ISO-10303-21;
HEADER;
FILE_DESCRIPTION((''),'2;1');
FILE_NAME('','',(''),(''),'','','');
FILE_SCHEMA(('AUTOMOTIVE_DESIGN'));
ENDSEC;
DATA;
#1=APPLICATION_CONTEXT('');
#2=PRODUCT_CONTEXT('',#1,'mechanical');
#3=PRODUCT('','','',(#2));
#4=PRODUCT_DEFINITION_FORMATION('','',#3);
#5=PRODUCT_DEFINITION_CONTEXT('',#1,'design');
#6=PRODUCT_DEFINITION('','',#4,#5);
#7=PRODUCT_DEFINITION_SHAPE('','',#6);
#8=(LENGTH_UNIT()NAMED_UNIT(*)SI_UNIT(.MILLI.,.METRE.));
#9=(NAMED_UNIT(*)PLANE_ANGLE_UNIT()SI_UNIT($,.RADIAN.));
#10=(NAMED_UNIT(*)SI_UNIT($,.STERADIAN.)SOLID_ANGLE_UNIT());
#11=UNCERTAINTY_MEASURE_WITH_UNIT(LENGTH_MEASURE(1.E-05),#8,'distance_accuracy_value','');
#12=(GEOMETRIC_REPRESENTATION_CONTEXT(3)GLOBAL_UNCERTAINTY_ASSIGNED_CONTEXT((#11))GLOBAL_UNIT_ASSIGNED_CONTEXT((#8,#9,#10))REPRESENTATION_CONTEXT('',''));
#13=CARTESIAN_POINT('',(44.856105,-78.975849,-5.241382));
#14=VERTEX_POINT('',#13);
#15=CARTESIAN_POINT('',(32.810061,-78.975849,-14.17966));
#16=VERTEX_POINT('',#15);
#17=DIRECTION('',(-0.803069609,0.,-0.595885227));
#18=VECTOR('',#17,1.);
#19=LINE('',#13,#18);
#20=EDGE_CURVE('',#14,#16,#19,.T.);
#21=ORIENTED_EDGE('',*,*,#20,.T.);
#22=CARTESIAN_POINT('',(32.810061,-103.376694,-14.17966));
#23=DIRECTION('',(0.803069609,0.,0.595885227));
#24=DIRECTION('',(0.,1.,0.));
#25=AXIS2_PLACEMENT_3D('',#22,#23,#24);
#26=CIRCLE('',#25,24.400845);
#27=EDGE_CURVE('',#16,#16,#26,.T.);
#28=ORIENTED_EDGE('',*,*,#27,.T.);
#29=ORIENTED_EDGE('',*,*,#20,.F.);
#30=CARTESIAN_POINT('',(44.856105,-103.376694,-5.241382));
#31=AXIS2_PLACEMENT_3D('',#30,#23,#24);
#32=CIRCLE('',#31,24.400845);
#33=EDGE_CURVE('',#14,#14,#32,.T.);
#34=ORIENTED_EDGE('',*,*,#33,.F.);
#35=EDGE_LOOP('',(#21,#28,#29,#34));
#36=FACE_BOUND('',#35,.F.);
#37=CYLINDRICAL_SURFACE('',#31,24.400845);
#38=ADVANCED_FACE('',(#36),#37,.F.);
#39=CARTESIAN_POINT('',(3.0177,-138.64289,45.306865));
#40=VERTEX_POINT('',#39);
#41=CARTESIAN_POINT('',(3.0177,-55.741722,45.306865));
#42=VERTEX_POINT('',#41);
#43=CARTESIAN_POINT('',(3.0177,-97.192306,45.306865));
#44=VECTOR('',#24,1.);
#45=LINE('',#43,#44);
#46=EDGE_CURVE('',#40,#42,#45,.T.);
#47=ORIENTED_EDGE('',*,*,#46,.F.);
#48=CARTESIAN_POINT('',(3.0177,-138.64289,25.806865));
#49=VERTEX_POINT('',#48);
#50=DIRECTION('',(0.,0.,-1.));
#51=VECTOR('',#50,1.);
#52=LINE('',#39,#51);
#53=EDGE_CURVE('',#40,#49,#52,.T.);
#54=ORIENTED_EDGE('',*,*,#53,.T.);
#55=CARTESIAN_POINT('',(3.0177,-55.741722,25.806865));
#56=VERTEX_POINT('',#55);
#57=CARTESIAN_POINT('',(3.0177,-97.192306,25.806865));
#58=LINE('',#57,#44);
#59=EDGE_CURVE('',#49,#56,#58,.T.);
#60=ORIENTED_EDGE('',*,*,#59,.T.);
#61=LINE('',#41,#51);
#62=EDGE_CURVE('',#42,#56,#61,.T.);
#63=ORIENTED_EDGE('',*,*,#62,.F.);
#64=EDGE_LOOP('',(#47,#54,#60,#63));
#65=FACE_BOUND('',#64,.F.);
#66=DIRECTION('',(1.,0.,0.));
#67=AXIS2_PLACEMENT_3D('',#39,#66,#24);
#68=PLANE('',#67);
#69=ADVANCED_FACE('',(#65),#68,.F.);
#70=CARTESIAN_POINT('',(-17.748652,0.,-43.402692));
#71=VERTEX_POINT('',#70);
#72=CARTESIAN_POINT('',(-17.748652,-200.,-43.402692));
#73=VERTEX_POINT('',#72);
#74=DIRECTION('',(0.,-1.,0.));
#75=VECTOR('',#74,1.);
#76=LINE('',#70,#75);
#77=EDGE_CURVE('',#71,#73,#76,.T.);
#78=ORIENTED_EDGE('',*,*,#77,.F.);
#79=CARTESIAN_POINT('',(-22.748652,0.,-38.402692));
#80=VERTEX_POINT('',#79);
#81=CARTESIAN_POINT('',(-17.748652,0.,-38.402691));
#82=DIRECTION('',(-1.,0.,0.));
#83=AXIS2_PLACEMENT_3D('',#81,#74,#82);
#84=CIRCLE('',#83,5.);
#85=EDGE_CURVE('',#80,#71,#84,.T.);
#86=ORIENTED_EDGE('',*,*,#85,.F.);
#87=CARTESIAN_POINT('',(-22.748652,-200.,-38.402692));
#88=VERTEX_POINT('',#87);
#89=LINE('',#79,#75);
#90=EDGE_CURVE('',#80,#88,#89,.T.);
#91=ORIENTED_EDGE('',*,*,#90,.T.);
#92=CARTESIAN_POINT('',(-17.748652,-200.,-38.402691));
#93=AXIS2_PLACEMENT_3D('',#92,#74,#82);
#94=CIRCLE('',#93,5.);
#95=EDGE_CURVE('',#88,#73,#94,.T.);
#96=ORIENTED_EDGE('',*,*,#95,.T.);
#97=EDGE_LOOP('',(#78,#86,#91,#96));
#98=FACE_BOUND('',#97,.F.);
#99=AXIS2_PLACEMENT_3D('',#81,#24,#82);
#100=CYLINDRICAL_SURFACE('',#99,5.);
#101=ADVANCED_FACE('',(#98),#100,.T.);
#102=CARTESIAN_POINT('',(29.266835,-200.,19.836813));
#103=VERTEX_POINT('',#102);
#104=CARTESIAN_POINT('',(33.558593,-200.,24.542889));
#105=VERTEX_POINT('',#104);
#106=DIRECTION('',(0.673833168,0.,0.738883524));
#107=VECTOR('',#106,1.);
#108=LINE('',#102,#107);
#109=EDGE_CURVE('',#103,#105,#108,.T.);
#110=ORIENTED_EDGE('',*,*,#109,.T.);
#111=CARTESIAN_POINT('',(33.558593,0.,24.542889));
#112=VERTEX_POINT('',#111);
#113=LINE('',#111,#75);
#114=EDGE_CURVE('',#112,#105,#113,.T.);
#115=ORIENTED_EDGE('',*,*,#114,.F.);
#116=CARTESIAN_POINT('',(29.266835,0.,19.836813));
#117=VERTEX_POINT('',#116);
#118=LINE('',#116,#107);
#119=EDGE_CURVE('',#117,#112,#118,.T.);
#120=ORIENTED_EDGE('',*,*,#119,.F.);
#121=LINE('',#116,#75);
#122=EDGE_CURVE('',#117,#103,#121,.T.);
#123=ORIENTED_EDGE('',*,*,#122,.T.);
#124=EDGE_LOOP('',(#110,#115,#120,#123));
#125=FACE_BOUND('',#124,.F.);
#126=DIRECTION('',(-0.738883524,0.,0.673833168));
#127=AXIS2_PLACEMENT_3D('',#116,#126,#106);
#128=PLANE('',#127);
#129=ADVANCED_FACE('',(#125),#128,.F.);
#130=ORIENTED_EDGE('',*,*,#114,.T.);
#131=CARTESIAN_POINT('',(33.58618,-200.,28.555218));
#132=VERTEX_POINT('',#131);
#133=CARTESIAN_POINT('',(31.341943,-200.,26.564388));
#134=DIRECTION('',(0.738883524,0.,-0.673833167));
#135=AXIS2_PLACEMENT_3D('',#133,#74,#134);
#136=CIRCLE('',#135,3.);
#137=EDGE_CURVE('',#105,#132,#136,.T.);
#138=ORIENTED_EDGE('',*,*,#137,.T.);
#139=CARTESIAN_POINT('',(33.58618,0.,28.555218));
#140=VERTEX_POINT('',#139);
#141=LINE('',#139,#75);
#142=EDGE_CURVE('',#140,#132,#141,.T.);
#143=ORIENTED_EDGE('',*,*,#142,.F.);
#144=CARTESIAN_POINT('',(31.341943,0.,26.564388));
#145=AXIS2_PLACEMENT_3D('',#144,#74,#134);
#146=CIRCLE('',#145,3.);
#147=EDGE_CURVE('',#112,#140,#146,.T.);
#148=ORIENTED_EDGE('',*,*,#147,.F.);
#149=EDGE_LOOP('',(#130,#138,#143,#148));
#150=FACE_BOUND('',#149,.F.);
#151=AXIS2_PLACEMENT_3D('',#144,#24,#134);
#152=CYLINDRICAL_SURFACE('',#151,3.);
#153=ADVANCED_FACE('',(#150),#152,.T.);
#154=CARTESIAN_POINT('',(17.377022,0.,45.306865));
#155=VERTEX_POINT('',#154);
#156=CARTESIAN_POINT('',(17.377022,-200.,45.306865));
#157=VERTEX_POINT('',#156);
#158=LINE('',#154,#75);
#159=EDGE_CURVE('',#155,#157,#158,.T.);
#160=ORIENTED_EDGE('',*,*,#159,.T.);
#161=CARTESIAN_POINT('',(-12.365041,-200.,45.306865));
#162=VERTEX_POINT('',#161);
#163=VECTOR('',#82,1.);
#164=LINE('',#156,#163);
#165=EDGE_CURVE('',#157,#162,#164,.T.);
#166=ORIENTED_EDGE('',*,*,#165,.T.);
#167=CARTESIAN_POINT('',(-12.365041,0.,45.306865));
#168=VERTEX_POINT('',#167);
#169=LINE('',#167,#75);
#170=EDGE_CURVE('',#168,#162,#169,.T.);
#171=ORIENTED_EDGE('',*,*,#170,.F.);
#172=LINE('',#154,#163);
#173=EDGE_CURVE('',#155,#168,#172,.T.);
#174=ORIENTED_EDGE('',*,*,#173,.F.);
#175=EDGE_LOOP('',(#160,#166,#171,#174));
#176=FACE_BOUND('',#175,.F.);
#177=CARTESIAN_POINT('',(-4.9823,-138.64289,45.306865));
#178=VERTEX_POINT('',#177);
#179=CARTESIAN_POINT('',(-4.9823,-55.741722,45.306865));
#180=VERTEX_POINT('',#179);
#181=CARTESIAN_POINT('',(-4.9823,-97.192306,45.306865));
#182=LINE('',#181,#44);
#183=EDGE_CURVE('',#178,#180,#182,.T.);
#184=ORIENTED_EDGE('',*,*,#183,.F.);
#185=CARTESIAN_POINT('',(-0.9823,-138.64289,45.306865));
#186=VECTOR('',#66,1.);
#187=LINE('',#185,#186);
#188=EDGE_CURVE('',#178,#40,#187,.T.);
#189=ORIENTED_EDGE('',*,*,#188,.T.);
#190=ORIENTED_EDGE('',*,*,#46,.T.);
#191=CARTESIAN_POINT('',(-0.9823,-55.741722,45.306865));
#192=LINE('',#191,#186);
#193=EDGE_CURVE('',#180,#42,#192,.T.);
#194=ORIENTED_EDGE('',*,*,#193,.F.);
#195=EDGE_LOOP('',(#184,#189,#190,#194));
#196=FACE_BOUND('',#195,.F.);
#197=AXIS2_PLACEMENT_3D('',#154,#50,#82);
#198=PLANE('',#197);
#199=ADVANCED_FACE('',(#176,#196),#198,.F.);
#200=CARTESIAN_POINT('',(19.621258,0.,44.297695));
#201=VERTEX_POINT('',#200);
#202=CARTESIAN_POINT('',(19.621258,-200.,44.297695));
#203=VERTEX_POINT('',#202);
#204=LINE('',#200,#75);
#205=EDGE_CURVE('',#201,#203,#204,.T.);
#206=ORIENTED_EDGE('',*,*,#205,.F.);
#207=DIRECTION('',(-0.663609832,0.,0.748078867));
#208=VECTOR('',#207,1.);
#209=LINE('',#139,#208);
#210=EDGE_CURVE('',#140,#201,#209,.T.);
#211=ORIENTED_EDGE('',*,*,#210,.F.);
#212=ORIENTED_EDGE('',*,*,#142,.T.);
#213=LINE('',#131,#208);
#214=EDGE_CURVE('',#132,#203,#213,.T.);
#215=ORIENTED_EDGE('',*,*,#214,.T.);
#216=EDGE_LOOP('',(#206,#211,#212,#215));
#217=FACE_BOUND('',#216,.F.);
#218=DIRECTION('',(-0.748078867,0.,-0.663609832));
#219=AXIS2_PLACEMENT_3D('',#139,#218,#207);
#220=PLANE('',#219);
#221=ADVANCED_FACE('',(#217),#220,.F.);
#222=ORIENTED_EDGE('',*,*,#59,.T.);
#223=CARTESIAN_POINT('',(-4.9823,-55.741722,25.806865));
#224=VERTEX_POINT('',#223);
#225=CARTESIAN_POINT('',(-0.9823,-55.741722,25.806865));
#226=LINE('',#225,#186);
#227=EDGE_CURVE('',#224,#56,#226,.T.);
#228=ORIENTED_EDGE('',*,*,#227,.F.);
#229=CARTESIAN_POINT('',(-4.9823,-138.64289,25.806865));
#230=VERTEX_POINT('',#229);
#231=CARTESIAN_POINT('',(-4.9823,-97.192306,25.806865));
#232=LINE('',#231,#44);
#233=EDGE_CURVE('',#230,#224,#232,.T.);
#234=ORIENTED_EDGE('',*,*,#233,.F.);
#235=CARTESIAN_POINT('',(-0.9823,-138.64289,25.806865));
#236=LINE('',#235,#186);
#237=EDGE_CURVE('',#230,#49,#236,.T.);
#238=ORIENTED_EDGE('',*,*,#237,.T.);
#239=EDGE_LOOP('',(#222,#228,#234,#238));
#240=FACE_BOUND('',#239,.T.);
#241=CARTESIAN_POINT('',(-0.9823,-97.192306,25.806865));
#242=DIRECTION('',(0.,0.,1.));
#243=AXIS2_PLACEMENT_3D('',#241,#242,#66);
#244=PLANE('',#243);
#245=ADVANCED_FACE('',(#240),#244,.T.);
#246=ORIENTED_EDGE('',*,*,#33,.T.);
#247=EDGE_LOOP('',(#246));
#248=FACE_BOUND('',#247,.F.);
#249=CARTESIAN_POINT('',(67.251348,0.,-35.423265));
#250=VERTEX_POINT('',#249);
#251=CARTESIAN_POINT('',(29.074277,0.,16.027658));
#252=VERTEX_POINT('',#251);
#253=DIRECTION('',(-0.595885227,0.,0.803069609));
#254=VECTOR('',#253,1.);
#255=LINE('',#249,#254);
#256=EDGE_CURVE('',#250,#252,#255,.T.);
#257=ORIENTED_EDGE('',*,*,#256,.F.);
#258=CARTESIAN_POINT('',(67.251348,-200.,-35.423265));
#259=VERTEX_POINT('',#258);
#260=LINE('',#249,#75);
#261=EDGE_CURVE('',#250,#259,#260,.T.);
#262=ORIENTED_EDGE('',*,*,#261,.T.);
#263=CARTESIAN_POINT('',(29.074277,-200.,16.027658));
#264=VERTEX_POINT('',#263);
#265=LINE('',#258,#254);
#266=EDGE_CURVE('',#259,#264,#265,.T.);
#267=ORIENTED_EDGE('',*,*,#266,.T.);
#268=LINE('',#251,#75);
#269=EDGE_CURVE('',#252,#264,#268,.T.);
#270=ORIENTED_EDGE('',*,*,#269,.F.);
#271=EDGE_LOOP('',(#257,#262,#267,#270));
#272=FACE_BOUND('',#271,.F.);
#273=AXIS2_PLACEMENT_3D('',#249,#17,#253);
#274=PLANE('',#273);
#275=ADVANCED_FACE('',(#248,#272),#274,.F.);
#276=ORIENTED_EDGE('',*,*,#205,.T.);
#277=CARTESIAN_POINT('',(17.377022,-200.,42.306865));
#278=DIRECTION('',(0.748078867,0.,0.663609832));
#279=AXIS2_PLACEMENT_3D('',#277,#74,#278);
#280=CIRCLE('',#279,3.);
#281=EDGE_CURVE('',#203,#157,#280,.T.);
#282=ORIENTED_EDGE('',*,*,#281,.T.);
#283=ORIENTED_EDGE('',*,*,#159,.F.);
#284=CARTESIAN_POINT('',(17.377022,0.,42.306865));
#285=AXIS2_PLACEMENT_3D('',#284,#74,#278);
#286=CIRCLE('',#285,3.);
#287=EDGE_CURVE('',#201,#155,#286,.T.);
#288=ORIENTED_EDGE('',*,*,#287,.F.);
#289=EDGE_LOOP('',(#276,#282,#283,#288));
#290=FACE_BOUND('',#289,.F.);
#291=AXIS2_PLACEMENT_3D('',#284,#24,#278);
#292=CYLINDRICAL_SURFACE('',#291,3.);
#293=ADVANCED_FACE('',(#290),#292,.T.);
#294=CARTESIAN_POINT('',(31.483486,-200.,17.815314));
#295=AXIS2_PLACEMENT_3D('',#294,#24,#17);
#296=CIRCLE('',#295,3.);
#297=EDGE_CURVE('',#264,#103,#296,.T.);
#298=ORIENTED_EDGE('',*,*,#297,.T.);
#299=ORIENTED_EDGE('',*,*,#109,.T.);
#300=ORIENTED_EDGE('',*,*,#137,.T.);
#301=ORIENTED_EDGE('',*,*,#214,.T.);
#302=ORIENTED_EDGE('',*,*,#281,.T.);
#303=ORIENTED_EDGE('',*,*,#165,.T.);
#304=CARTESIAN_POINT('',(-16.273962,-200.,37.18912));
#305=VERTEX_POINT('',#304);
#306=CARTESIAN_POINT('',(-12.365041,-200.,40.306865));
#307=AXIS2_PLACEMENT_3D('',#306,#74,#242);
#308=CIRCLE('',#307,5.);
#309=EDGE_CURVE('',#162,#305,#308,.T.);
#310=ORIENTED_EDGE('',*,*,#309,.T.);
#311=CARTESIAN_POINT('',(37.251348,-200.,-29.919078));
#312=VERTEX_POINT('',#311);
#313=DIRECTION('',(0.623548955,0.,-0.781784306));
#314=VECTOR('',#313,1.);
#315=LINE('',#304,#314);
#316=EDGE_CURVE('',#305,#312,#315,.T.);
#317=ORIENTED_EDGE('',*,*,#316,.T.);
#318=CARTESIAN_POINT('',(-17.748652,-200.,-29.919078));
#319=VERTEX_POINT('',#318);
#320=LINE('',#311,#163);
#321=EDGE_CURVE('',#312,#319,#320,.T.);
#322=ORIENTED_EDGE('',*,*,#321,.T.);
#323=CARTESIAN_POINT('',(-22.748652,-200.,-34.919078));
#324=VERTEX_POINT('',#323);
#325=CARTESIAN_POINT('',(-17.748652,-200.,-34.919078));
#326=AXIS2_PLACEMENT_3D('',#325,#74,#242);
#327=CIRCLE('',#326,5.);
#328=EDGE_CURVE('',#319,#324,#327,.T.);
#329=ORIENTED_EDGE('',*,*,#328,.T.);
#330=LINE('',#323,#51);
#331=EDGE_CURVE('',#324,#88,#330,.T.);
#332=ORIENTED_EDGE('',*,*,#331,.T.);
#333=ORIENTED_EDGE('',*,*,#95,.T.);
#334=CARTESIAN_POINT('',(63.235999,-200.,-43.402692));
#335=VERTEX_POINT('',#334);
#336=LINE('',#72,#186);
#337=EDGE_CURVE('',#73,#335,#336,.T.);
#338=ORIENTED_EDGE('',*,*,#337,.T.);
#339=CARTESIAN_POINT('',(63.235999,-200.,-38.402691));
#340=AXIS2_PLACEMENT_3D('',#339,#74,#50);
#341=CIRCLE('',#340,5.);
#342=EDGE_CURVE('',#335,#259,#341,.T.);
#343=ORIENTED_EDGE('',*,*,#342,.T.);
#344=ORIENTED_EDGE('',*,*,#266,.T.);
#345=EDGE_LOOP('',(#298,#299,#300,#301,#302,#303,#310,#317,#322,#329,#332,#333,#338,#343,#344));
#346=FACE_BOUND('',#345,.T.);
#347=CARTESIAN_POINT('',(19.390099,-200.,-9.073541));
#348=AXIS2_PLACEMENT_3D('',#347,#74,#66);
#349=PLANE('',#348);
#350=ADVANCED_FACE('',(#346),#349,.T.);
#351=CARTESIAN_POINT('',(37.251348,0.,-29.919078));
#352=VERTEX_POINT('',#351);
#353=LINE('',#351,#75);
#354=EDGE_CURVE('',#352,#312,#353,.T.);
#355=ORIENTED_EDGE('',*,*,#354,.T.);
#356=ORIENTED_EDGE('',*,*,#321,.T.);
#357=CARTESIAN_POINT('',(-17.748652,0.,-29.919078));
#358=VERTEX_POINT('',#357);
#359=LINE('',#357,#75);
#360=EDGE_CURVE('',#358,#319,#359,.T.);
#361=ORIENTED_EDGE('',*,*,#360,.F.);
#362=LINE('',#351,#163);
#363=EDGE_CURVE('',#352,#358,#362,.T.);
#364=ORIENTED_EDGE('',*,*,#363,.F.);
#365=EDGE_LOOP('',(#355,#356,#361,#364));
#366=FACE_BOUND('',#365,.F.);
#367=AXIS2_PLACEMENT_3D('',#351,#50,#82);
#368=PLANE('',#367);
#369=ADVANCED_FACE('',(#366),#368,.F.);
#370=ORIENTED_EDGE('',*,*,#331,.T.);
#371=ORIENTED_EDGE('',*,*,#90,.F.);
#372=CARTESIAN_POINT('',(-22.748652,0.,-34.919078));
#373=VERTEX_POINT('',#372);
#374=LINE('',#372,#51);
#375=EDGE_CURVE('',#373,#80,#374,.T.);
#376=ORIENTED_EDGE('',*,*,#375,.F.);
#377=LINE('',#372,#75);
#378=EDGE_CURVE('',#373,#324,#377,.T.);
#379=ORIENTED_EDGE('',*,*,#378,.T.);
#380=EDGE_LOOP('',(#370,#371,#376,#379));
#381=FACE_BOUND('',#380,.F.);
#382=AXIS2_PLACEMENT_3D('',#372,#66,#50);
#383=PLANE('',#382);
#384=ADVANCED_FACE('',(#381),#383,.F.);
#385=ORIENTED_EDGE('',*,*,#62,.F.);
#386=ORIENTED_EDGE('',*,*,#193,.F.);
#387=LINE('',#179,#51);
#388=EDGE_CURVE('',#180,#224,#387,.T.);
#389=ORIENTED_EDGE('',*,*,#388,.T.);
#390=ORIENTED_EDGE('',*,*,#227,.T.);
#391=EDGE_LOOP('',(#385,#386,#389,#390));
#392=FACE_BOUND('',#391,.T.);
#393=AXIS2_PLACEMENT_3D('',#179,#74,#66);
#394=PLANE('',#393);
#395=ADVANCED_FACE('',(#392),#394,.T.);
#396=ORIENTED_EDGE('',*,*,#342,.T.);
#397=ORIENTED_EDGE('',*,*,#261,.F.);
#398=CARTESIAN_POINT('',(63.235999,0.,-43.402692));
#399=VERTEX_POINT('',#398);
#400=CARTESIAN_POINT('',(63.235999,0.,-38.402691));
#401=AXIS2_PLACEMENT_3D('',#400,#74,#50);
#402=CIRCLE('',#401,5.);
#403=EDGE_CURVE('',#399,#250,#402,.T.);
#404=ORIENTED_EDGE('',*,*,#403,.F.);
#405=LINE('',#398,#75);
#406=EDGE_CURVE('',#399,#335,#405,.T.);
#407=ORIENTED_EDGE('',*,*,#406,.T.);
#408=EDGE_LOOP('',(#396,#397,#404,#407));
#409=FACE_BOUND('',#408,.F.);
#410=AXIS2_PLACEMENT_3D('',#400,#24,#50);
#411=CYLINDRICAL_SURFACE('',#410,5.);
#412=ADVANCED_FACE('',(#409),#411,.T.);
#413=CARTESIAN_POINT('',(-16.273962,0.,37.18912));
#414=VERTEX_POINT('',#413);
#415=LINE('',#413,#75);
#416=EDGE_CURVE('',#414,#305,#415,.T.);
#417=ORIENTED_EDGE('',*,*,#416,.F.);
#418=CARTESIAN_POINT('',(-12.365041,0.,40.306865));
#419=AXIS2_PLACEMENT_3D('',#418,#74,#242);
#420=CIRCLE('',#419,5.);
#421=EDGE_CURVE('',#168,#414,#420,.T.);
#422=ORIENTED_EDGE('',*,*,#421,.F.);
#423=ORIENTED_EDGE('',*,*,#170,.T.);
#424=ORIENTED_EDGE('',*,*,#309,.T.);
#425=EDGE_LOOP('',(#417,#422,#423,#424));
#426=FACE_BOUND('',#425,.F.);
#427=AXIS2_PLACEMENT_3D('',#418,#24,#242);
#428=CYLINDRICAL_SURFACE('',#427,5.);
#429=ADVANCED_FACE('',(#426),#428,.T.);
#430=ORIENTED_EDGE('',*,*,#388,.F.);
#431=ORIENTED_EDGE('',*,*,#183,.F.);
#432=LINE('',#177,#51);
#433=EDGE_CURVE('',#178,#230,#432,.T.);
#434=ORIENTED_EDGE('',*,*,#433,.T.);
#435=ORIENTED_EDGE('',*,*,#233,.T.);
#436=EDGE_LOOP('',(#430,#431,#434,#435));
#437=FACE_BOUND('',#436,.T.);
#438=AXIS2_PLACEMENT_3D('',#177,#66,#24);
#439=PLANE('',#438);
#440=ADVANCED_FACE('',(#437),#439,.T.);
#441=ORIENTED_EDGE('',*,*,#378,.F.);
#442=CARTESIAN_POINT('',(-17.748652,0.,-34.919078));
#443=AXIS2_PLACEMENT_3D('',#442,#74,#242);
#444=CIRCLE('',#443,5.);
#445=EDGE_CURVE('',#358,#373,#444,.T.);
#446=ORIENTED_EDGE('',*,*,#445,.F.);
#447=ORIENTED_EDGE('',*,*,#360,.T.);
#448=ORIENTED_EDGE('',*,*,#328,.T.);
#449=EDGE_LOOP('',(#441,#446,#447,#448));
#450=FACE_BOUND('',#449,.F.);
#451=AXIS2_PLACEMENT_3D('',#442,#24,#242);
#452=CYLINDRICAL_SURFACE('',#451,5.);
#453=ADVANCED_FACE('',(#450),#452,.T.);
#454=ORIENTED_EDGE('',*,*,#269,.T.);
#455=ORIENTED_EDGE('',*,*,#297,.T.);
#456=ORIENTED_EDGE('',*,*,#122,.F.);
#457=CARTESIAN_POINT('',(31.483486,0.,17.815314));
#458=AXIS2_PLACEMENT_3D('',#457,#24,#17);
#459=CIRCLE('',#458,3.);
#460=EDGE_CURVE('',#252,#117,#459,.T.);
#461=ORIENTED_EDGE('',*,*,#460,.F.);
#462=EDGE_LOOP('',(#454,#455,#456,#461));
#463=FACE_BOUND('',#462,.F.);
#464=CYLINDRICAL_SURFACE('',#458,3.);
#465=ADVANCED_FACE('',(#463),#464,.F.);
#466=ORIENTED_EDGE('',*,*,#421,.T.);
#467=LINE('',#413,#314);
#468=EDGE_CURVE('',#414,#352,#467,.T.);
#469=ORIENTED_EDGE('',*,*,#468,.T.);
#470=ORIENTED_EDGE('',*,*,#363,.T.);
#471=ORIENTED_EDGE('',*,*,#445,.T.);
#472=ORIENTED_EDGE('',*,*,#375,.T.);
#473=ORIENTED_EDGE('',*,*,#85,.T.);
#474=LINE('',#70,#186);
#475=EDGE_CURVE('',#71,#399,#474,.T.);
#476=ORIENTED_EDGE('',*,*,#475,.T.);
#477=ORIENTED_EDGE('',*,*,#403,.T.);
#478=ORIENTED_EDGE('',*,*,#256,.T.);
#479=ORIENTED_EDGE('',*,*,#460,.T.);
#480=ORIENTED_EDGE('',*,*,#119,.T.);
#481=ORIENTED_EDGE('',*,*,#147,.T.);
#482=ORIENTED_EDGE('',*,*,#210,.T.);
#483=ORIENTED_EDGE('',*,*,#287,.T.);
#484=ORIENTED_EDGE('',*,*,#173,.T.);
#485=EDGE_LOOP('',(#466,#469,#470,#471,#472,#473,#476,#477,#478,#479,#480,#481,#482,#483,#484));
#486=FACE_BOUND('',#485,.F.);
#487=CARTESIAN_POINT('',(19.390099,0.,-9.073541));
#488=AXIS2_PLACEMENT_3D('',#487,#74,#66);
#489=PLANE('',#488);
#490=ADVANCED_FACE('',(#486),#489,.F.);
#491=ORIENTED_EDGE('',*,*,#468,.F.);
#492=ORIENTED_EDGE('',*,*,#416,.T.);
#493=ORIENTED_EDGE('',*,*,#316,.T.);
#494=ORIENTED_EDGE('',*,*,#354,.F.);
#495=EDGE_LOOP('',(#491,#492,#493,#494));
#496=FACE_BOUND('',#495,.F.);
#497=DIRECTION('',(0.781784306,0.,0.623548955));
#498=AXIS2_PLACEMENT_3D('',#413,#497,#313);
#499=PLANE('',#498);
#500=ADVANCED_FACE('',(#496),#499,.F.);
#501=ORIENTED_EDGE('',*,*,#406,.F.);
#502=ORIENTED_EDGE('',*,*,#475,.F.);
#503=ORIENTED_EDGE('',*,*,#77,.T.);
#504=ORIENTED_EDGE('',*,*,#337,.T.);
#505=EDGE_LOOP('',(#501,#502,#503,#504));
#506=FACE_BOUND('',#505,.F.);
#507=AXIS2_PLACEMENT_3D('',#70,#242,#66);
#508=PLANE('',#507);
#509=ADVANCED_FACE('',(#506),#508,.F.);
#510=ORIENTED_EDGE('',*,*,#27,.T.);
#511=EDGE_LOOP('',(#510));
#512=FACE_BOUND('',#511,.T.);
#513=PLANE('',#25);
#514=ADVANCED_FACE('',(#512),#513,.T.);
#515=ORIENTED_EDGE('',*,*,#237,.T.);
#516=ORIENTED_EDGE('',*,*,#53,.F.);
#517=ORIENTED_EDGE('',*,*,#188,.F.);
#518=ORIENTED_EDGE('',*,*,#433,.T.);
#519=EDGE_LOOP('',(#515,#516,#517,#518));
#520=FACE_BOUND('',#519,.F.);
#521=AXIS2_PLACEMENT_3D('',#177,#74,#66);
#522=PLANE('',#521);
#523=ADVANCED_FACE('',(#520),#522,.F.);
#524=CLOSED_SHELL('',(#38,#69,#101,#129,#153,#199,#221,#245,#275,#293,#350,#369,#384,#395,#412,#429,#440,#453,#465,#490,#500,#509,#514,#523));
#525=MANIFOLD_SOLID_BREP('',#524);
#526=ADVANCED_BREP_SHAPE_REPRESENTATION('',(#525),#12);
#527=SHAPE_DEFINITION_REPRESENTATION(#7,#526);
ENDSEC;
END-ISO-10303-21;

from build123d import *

# Parameters (mm, degrees)
F1_DEPTH = 200
F2_W     = 8
F2_H     = 82.9011678715
F3_DEPTH = 19.5
F4_R     = 24.4008451418
F5_DEPTH = 15


with BuildPart() as f1:
    # F0 (on Front) → F1 (new body)
    with BuildSketch(Plane.XZ):
        with BuildLine():
            Line((0, 45.3068651259), (-12.3650406395, 45.3068651259))
            ThreePointArc((-12.3650406395, 45.3068651259), (-16.8699670467, 42.4761133979), (-16.2739621693, 37.1891203522))
            Line((-16.2739621693, 37.1891203522), (37.2513475231, -29.9190782446))
            Line((37.2513475231, -29.9190782446), (-17.7486524769, -29.9190782446))
            ThreePointArc((-17.7486524769, -29.9190782446), (-21.2841863828, -31.3835443387), (-22.7486524769, -34.9190782446))
            Line((-22.7486524769, -34.9190782446), (-22.7486524769, -38.4026915))
            ThreePointArc((-22.7486524769, -38.4026915), (-21.2841863828, -41.9382254059), (-17.7486524769, -43.4026915))
            Line((-17.7486524769, -43.4026915), (63.2359994792, -43.4026915))
            ThreePointArc((63.2359994792, -43.4026915), (67.7023811618, -40.6502311917), (67.2513475231, -35.4232653662))
            Line((67.2513475231, -35.4232653662), (29.0742767855, 16.0276582094))
            ThreePointArc((29.0742767855, 16.0276582094), (28.4873114519, 17.9667747875), (29.2668350391, 19.8368133922))
            Line((29.2668350391, 19.8368133922), (33.5585934884, 24.5428886656))
            ThreePointArc((33.5585934884, 24.5428886656), (34.3418720133, 26.5437627089), (33.5861795165, 28.5552176636))
            Line((33.5861795165, 28.5552176636), (19.6212582392, 44.2976946213))
            ThreePointArc((19.6212582392, 44.2976946213), (18.6073694579, 45.0429653147), (17.3770216384, 45.3068651259))
            Line((17.3770216384, 45.3068651259), (0, 45.3068651259))
        make_face()
    extrude(amount=F1_DEPTH)

    # F2 (on face) → F3 (cut)
    with BuildSketch(Plane.XY.offset(45.3068651259)):
        with Locations((-0.9822997963, -97.1923060715)):
            Rectangle(F2_W, F2_H)
    extrude(amount=-F3_DEPTH, mode=Mode.SUBTRACT)

    # F4 (on face) → F5 (cut)
    with BuildSketch(Plane(origin=(26.4204382833, 0, 19.6042144857), x_dir=(0, 1, 0), z_dir=(0.8030696088, 0, 0.5958852268))):
        with Locations((-103.3766940236, -30.9382844716)):
            Circle(F4_R)
    extrude(amount=-F5_DEPTH, mode=Mode.SUBTRACT)


solid = f1.part
